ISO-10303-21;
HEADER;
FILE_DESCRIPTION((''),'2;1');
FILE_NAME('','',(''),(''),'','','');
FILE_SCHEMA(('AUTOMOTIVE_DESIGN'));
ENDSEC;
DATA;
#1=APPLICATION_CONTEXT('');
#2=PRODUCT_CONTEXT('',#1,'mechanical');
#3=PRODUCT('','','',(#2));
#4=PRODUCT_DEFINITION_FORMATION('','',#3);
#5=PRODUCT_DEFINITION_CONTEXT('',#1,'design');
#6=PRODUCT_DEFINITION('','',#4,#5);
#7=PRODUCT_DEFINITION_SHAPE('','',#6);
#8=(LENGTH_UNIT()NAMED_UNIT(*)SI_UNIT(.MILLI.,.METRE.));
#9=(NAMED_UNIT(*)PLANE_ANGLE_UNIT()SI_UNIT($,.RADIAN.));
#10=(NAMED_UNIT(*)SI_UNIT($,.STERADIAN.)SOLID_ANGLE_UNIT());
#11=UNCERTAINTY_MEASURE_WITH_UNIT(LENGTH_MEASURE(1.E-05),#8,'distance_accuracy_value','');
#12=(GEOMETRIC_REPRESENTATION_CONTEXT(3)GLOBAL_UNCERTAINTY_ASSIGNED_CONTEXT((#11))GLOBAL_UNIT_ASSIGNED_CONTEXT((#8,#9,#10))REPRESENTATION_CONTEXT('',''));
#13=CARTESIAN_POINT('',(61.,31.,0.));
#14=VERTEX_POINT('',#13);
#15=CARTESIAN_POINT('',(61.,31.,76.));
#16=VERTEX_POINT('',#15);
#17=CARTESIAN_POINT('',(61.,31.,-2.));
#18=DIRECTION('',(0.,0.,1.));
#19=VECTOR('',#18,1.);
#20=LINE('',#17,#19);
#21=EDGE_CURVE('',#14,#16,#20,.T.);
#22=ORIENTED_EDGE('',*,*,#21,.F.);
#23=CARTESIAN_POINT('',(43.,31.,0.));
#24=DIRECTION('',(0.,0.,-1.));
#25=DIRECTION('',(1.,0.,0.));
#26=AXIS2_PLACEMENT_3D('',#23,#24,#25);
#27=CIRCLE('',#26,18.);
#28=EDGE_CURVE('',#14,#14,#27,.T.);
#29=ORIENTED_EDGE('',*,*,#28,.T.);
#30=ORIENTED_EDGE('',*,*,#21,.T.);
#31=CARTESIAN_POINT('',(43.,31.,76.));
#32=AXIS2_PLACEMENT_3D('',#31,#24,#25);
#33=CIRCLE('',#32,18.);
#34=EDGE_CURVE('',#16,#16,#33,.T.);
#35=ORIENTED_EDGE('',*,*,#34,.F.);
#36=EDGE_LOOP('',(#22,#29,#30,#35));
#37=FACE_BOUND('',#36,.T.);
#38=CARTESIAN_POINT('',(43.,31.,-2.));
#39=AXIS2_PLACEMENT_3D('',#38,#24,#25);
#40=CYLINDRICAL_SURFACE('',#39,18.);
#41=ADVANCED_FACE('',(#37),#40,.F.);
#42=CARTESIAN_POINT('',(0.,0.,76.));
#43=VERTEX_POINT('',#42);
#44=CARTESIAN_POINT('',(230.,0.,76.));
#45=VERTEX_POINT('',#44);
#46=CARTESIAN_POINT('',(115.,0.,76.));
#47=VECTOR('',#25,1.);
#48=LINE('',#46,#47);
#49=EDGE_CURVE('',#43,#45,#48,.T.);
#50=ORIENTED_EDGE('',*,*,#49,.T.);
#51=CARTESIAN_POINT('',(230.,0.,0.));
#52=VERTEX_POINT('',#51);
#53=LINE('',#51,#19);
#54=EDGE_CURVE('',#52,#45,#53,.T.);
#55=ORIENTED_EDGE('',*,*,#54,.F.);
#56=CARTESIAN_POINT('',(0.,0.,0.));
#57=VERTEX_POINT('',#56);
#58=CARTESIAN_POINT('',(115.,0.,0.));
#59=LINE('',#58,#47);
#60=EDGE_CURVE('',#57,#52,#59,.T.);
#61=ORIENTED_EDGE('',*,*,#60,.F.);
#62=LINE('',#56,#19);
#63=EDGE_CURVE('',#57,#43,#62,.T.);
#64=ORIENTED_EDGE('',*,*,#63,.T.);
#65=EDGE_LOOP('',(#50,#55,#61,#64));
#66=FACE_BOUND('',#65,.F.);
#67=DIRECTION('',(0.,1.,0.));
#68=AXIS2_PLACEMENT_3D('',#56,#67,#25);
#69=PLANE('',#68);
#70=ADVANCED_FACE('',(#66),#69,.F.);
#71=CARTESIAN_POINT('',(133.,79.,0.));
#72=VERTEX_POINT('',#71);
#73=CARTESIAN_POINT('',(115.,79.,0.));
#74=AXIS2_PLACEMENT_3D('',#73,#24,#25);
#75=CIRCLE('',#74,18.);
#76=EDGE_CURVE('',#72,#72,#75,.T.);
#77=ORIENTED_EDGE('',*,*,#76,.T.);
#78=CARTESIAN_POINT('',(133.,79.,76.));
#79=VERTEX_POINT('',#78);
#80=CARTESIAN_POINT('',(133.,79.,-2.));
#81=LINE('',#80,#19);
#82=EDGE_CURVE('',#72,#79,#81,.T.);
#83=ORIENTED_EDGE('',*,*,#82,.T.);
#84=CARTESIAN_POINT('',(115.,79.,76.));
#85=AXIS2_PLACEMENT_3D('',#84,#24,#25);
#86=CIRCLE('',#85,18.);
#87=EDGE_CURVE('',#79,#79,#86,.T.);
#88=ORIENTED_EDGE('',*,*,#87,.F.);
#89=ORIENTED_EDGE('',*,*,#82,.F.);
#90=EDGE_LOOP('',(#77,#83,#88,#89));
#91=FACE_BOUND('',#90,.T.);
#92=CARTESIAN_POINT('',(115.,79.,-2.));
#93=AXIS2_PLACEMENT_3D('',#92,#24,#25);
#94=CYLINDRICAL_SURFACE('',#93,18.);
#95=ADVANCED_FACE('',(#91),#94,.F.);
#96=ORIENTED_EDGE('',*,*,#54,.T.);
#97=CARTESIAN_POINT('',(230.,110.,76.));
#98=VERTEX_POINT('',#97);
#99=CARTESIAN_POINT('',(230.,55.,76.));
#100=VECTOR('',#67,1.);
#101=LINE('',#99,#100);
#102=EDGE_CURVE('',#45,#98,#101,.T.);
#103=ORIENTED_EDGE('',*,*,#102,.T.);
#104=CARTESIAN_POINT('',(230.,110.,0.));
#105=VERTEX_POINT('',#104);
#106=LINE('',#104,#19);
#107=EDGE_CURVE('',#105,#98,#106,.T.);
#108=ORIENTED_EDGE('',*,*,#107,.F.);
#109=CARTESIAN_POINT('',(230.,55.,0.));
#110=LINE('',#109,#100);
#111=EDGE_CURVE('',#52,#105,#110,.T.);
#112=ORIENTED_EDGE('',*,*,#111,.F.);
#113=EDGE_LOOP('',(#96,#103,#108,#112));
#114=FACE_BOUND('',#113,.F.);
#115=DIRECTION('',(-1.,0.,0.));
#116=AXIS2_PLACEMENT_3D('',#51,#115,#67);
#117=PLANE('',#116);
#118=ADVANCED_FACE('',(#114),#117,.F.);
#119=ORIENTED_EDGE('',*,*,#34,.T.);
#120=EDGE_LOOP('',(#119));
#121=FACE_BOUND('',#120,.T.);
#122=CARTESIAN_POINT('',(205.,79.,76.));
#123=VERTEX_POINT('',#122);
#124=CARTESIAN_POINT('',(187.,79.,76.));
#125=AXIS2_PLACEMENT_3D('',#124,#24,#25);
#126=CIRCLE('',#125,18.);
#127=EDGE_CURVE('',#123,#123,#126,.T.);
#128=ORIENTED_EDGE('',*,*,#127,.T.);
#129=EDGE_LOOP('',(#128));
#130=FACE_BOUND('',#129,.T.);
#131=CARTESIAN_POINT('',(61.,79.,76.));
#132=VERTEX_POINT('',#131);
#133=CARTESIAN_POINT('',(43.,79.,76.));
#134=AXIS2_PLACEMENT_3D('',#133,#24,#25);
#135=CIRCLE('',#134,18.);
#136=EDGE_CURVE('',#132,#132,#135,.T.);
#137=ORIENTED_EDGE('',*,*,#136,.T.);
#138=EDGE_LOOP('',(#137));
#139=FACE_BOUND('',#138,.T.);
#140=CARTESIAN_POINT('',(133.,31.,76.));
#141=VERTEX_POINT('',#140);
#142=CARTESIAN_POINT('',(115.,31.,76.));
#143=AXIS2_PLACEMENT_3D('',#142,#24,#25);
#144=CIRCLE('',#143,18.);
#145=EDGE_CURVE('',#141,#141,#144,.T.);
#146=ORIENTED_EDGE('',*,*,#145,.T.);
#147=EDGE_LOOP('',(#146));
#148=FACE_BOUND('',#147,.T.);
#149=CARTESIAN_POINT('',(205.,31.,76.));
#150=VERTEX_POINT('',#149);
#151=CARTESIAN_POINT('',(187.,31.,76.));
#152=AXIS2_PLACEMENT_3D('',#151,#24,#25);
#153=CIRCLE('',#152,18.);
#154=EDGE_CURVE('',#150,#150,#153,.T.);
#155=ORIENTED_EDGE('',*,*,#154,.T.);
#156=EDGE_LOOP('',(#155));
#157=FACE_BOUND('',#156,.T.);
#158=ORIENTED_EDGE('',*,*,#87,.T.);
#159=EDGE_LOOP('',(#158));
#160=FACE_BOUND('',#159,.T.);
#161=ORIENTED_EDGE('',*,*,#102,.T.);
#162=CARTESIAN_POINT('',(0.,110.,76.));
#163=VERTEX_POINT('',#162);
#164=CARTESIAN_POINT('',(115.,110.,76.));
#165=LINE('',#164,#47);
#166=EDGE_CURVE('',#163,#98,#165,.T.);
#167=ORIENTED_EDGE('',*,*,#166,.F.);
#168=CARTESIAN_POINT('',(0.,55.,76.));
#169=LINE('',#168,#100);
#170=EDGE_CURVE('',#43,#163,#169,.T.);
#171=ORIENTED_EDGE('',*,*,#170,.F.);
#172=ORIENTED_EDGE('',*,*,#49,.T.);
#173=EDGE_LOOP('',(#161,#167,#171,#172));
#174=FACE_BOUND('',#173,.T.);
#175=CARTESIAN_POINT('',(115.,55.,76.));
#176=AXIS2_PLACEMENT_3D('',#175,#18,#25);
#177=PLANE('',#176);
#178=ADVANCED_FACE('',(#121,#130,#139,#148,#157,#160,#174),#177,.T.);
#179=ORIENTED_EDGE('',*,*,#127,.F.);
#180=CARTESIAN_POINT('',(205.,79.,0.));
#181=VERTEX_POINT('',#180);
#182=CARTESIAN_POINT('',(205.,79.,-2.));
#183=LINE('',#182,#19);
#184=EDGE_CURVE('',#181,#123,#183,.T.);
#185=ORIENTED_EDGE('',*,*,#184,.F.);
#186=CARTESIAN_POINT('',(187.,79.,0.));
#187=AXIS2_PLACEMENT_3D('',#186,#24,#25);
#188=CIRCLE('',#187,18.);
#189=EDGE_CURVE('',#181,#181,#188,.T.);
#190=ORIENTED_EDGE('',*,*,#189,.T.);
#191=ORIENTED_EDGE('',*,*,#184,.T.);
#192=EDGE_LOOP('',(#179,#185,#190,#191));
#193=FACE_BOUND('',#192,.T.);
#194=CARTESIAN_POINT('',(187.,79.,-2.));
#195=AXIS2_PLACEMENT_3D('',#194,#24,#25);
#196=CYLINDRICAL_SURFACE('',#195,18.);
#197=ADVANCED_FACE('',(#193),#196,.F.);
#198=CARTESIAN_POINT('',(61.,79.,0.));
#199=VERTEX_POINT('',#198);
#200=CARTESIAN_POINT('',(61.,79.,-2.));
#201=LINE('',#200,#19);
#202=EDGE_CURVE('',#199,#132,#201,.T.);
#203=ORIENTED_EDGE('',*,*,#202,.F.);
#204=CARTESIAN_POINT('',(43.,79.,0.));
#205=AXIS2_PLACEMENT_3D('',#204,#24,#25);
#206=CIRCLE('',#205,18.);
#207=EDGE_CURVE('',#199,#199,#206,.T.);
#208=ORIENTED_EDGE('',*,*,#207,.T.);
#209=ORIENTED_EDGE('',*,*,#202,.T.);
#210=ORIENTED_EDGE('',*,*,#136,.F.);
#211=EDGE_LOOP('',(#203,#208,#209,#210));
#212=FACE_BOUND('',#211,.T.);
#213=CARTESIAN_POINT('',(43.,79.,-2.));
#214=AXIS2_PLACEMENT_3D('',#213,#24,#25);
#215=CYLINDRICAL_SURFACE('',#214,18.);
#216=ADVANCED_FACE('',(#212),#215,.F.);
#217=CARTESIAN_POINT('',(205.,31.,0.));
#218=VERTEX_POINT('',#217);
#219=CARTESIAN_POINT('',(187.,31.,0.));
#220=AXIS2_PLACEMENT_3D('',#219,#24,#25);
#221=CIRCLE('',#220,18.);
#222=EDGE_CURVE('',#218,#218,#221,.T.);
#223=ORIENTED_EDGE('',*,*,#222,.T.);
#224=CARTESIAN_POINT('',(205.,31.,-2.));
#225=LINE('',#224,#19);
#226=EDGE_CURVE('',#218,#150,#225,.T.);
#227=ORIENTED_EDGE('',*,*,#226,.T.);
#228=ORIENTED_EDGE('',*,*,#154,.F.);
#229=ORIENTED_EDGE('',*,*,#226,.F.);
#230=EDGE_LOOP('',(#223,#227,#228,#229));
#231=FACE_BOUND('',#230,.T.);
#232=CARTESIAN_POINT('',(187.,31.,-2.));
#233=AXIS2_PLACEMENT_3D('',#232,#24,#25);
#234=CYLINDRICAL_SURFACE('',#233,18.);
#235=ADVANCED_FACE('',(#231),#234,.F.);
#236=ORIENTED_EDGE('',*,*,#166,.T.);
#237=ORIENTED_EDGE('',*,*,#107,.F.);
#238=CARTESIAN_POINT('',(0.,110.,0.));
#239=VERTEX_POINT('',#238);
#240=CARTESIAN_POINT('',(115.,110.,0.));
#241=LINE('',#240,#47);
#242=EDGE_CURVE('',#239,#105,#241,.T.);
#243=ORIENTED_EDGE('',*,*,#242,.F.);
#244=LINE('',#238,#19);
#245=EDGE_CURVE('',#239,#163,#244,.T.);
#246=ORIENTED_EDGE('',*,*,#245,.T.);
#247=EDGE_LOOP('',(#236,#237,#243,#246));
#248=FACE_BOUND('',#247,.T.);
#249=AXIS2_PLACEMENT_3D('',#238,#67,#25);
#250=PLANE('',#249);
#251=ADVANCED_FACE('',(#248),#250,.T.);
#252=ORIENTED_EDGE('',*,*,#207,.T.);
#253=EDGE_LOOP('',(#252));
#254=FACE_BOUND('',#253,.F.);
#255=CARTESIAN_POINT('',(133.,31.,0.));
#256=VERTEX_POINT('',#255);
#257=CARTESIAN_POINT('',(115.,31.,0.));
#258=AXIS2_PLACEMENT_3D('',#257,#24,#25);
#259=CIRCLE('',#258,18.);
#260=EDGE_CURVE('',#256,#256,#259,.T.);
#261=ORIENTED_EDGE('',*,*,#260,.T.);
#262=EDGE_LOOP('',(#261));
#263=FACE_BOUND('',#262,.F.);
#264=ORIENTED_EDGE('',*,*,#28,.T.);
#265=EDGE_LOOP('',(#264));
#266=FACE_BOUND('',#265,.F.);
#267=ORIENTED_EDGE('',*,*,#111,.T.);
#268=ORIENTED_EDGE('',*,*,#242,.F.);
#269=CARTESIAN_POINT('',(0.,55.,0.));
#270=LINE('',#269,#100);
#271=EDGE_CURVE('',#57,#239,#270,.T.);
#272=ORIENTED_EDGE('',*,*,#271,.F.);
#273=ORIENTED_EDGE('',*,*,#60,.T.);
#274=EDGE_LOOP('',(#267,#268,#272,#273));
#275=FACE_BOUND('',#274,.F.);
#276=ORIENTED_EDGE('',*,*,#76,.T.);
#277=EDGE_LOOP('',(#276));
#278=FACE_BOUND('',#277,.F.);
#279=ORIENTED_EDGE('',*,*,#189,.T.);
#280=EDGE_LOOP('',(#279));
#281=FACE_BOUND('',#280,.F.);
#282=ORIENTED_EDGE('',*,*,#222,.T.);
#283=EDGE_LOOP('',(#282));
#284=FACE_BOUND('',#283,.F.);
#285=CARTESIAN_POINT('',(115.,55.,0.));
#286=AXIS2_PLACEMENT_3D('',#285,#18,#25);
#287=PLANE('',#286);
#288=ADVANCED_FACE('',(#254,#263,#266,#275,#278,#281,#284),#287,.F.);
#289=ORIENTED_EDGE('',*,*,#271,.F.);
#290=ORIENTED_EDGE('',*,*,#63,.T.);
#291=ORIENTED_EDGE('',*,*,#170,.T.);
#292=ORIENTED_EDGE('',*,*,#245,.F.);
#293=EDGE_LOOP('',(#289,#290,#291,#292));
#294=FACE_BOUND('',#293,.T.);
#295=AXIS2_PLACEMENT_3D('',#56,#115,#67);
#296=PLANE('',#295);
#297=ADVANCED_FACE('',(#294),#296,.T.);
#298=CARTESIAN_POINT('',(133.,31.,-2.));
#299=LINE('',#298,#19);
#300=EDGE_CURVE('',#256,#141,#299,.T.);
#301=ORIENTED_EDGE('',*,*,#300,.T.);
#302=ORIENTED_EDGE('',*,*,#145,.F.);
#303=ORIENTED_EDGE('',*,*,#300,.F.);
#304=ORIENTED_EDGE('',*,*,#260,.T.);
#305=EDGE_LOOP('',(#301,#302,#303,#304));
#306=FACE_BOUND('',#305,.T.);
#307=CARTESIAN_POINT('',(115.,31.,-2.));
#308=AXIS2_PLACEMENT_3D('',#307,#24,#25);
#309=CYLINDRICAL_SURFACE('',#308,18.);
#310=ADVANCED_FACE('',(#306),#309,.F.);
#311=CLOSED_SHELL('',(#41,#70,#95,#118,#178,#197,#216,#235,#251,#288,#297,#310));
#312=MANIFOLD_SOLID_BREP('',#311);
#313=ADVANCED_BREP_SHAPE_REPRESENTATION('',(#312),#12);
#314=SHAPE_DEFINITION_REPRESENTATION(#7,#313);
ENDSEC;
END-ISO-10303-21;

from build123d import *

# Parameters (mm, degrees)
CYLINDER001_R     = 18
CYLINDER001_DEPTH = 80
CYLINDER002_R     = 18
CYLINDER002_DEPTH = 80
CYLINDER003_R     = 18
CYLINDER003_DEPTH = 80
CYLINDER004_R     = 18
CYLINDER004_DEPTH = 80
CYLINDER005_R     = 18
CYLINDER005_DEPTH = 80
CYLINDER_R        = 18
CYLINDER_DEPTH    = 80
BOX_W             = 230
BOX_H             = 110
BOX_DEPTH         = 76


with BuildPart() as forat001:
    # Cylinder001 → Cylinder001 (new body)
    with BuildSketch(Plane(origin=(43, 79, -2), x_dir=(1, 0, 0), z_dir=(0, 0, 1))):
        Circle(CYLINDER001_R)
    extrude(amount=CYLINDER001_DEPTH)


with BuildPart() as forat002:
    # Cylinder002 → Cylinder002 (new body)
    with BuildSketch(Plane(origin=(115, 31, -2), x_dir=(1, 0, 0), z_dir=(0, 0, 1))):
        Circle(CYLINDER002_R)
    extrude(amount=CYLINDER002_DEPTH)


with BuildPart() as forat003:
    # Cylinder003 → Cylinder003 (new body)
    with BuildSketch(Plane(origin=(187, 31, -2), x_dir=(1, 0, 0), z_dir=(0, 0, 1))):
        Circle(CYLINDER003_R)
    extrude(amount=CYLINDER003_DEPTH)


with BuildPart() as forat004:
    # Cylinder004 → Cylinder004 (new body)
    with BuildSketch(Plane(origin=(115, 79, -2), x_dir=(1, 0, 0), z_dir=(0, 0, 1))):
        Circle(CYLINDER004_R)
    extrude(amount=CYLINDER004_DEPTH)


with BuildPart() as forat005:
    # Cylinder005 → Cylinder005 (new body)
    with BuildSketch(Plane(origin=(187, 79, -2), x_dir=(1, 0, 0), z_dir=(0, 0, 1))):
        Circle(CYLINDER005_R)
    extrude(amount=CYLINDER005_DEPTH)


with BuildPart() as forats:
    # Cylinder → Cylinder (new body)
    with BuildSketch(Plane(origin=(43, 31, -2), x_dir=(1, 0, 0), z_dir=(0, 0, 1))):
        Circle(CYLINDER_R)
    extrude(amount=CYLINDER_DEPTH)

    # Fusion: union forat001, forat002, forat003, forat004, forat005
    add(forat001.part)
    add(forat002.part)
    add(forat003.part)
    add(forat004.part)
    add(forat005.part)


with BuildPart() as totxo:
    # Box → Box (new body)
    with BuildSketch(Plane.XY):
        with Locations((115, 55)):
            Rectangle(BOX_W, BOX_H)
    extrude(amount=BOX_DEPTH)

    # Cut: cut forats
    add(forats.part, mode=Mode.SUBTRACT)


solid = totxo.part
